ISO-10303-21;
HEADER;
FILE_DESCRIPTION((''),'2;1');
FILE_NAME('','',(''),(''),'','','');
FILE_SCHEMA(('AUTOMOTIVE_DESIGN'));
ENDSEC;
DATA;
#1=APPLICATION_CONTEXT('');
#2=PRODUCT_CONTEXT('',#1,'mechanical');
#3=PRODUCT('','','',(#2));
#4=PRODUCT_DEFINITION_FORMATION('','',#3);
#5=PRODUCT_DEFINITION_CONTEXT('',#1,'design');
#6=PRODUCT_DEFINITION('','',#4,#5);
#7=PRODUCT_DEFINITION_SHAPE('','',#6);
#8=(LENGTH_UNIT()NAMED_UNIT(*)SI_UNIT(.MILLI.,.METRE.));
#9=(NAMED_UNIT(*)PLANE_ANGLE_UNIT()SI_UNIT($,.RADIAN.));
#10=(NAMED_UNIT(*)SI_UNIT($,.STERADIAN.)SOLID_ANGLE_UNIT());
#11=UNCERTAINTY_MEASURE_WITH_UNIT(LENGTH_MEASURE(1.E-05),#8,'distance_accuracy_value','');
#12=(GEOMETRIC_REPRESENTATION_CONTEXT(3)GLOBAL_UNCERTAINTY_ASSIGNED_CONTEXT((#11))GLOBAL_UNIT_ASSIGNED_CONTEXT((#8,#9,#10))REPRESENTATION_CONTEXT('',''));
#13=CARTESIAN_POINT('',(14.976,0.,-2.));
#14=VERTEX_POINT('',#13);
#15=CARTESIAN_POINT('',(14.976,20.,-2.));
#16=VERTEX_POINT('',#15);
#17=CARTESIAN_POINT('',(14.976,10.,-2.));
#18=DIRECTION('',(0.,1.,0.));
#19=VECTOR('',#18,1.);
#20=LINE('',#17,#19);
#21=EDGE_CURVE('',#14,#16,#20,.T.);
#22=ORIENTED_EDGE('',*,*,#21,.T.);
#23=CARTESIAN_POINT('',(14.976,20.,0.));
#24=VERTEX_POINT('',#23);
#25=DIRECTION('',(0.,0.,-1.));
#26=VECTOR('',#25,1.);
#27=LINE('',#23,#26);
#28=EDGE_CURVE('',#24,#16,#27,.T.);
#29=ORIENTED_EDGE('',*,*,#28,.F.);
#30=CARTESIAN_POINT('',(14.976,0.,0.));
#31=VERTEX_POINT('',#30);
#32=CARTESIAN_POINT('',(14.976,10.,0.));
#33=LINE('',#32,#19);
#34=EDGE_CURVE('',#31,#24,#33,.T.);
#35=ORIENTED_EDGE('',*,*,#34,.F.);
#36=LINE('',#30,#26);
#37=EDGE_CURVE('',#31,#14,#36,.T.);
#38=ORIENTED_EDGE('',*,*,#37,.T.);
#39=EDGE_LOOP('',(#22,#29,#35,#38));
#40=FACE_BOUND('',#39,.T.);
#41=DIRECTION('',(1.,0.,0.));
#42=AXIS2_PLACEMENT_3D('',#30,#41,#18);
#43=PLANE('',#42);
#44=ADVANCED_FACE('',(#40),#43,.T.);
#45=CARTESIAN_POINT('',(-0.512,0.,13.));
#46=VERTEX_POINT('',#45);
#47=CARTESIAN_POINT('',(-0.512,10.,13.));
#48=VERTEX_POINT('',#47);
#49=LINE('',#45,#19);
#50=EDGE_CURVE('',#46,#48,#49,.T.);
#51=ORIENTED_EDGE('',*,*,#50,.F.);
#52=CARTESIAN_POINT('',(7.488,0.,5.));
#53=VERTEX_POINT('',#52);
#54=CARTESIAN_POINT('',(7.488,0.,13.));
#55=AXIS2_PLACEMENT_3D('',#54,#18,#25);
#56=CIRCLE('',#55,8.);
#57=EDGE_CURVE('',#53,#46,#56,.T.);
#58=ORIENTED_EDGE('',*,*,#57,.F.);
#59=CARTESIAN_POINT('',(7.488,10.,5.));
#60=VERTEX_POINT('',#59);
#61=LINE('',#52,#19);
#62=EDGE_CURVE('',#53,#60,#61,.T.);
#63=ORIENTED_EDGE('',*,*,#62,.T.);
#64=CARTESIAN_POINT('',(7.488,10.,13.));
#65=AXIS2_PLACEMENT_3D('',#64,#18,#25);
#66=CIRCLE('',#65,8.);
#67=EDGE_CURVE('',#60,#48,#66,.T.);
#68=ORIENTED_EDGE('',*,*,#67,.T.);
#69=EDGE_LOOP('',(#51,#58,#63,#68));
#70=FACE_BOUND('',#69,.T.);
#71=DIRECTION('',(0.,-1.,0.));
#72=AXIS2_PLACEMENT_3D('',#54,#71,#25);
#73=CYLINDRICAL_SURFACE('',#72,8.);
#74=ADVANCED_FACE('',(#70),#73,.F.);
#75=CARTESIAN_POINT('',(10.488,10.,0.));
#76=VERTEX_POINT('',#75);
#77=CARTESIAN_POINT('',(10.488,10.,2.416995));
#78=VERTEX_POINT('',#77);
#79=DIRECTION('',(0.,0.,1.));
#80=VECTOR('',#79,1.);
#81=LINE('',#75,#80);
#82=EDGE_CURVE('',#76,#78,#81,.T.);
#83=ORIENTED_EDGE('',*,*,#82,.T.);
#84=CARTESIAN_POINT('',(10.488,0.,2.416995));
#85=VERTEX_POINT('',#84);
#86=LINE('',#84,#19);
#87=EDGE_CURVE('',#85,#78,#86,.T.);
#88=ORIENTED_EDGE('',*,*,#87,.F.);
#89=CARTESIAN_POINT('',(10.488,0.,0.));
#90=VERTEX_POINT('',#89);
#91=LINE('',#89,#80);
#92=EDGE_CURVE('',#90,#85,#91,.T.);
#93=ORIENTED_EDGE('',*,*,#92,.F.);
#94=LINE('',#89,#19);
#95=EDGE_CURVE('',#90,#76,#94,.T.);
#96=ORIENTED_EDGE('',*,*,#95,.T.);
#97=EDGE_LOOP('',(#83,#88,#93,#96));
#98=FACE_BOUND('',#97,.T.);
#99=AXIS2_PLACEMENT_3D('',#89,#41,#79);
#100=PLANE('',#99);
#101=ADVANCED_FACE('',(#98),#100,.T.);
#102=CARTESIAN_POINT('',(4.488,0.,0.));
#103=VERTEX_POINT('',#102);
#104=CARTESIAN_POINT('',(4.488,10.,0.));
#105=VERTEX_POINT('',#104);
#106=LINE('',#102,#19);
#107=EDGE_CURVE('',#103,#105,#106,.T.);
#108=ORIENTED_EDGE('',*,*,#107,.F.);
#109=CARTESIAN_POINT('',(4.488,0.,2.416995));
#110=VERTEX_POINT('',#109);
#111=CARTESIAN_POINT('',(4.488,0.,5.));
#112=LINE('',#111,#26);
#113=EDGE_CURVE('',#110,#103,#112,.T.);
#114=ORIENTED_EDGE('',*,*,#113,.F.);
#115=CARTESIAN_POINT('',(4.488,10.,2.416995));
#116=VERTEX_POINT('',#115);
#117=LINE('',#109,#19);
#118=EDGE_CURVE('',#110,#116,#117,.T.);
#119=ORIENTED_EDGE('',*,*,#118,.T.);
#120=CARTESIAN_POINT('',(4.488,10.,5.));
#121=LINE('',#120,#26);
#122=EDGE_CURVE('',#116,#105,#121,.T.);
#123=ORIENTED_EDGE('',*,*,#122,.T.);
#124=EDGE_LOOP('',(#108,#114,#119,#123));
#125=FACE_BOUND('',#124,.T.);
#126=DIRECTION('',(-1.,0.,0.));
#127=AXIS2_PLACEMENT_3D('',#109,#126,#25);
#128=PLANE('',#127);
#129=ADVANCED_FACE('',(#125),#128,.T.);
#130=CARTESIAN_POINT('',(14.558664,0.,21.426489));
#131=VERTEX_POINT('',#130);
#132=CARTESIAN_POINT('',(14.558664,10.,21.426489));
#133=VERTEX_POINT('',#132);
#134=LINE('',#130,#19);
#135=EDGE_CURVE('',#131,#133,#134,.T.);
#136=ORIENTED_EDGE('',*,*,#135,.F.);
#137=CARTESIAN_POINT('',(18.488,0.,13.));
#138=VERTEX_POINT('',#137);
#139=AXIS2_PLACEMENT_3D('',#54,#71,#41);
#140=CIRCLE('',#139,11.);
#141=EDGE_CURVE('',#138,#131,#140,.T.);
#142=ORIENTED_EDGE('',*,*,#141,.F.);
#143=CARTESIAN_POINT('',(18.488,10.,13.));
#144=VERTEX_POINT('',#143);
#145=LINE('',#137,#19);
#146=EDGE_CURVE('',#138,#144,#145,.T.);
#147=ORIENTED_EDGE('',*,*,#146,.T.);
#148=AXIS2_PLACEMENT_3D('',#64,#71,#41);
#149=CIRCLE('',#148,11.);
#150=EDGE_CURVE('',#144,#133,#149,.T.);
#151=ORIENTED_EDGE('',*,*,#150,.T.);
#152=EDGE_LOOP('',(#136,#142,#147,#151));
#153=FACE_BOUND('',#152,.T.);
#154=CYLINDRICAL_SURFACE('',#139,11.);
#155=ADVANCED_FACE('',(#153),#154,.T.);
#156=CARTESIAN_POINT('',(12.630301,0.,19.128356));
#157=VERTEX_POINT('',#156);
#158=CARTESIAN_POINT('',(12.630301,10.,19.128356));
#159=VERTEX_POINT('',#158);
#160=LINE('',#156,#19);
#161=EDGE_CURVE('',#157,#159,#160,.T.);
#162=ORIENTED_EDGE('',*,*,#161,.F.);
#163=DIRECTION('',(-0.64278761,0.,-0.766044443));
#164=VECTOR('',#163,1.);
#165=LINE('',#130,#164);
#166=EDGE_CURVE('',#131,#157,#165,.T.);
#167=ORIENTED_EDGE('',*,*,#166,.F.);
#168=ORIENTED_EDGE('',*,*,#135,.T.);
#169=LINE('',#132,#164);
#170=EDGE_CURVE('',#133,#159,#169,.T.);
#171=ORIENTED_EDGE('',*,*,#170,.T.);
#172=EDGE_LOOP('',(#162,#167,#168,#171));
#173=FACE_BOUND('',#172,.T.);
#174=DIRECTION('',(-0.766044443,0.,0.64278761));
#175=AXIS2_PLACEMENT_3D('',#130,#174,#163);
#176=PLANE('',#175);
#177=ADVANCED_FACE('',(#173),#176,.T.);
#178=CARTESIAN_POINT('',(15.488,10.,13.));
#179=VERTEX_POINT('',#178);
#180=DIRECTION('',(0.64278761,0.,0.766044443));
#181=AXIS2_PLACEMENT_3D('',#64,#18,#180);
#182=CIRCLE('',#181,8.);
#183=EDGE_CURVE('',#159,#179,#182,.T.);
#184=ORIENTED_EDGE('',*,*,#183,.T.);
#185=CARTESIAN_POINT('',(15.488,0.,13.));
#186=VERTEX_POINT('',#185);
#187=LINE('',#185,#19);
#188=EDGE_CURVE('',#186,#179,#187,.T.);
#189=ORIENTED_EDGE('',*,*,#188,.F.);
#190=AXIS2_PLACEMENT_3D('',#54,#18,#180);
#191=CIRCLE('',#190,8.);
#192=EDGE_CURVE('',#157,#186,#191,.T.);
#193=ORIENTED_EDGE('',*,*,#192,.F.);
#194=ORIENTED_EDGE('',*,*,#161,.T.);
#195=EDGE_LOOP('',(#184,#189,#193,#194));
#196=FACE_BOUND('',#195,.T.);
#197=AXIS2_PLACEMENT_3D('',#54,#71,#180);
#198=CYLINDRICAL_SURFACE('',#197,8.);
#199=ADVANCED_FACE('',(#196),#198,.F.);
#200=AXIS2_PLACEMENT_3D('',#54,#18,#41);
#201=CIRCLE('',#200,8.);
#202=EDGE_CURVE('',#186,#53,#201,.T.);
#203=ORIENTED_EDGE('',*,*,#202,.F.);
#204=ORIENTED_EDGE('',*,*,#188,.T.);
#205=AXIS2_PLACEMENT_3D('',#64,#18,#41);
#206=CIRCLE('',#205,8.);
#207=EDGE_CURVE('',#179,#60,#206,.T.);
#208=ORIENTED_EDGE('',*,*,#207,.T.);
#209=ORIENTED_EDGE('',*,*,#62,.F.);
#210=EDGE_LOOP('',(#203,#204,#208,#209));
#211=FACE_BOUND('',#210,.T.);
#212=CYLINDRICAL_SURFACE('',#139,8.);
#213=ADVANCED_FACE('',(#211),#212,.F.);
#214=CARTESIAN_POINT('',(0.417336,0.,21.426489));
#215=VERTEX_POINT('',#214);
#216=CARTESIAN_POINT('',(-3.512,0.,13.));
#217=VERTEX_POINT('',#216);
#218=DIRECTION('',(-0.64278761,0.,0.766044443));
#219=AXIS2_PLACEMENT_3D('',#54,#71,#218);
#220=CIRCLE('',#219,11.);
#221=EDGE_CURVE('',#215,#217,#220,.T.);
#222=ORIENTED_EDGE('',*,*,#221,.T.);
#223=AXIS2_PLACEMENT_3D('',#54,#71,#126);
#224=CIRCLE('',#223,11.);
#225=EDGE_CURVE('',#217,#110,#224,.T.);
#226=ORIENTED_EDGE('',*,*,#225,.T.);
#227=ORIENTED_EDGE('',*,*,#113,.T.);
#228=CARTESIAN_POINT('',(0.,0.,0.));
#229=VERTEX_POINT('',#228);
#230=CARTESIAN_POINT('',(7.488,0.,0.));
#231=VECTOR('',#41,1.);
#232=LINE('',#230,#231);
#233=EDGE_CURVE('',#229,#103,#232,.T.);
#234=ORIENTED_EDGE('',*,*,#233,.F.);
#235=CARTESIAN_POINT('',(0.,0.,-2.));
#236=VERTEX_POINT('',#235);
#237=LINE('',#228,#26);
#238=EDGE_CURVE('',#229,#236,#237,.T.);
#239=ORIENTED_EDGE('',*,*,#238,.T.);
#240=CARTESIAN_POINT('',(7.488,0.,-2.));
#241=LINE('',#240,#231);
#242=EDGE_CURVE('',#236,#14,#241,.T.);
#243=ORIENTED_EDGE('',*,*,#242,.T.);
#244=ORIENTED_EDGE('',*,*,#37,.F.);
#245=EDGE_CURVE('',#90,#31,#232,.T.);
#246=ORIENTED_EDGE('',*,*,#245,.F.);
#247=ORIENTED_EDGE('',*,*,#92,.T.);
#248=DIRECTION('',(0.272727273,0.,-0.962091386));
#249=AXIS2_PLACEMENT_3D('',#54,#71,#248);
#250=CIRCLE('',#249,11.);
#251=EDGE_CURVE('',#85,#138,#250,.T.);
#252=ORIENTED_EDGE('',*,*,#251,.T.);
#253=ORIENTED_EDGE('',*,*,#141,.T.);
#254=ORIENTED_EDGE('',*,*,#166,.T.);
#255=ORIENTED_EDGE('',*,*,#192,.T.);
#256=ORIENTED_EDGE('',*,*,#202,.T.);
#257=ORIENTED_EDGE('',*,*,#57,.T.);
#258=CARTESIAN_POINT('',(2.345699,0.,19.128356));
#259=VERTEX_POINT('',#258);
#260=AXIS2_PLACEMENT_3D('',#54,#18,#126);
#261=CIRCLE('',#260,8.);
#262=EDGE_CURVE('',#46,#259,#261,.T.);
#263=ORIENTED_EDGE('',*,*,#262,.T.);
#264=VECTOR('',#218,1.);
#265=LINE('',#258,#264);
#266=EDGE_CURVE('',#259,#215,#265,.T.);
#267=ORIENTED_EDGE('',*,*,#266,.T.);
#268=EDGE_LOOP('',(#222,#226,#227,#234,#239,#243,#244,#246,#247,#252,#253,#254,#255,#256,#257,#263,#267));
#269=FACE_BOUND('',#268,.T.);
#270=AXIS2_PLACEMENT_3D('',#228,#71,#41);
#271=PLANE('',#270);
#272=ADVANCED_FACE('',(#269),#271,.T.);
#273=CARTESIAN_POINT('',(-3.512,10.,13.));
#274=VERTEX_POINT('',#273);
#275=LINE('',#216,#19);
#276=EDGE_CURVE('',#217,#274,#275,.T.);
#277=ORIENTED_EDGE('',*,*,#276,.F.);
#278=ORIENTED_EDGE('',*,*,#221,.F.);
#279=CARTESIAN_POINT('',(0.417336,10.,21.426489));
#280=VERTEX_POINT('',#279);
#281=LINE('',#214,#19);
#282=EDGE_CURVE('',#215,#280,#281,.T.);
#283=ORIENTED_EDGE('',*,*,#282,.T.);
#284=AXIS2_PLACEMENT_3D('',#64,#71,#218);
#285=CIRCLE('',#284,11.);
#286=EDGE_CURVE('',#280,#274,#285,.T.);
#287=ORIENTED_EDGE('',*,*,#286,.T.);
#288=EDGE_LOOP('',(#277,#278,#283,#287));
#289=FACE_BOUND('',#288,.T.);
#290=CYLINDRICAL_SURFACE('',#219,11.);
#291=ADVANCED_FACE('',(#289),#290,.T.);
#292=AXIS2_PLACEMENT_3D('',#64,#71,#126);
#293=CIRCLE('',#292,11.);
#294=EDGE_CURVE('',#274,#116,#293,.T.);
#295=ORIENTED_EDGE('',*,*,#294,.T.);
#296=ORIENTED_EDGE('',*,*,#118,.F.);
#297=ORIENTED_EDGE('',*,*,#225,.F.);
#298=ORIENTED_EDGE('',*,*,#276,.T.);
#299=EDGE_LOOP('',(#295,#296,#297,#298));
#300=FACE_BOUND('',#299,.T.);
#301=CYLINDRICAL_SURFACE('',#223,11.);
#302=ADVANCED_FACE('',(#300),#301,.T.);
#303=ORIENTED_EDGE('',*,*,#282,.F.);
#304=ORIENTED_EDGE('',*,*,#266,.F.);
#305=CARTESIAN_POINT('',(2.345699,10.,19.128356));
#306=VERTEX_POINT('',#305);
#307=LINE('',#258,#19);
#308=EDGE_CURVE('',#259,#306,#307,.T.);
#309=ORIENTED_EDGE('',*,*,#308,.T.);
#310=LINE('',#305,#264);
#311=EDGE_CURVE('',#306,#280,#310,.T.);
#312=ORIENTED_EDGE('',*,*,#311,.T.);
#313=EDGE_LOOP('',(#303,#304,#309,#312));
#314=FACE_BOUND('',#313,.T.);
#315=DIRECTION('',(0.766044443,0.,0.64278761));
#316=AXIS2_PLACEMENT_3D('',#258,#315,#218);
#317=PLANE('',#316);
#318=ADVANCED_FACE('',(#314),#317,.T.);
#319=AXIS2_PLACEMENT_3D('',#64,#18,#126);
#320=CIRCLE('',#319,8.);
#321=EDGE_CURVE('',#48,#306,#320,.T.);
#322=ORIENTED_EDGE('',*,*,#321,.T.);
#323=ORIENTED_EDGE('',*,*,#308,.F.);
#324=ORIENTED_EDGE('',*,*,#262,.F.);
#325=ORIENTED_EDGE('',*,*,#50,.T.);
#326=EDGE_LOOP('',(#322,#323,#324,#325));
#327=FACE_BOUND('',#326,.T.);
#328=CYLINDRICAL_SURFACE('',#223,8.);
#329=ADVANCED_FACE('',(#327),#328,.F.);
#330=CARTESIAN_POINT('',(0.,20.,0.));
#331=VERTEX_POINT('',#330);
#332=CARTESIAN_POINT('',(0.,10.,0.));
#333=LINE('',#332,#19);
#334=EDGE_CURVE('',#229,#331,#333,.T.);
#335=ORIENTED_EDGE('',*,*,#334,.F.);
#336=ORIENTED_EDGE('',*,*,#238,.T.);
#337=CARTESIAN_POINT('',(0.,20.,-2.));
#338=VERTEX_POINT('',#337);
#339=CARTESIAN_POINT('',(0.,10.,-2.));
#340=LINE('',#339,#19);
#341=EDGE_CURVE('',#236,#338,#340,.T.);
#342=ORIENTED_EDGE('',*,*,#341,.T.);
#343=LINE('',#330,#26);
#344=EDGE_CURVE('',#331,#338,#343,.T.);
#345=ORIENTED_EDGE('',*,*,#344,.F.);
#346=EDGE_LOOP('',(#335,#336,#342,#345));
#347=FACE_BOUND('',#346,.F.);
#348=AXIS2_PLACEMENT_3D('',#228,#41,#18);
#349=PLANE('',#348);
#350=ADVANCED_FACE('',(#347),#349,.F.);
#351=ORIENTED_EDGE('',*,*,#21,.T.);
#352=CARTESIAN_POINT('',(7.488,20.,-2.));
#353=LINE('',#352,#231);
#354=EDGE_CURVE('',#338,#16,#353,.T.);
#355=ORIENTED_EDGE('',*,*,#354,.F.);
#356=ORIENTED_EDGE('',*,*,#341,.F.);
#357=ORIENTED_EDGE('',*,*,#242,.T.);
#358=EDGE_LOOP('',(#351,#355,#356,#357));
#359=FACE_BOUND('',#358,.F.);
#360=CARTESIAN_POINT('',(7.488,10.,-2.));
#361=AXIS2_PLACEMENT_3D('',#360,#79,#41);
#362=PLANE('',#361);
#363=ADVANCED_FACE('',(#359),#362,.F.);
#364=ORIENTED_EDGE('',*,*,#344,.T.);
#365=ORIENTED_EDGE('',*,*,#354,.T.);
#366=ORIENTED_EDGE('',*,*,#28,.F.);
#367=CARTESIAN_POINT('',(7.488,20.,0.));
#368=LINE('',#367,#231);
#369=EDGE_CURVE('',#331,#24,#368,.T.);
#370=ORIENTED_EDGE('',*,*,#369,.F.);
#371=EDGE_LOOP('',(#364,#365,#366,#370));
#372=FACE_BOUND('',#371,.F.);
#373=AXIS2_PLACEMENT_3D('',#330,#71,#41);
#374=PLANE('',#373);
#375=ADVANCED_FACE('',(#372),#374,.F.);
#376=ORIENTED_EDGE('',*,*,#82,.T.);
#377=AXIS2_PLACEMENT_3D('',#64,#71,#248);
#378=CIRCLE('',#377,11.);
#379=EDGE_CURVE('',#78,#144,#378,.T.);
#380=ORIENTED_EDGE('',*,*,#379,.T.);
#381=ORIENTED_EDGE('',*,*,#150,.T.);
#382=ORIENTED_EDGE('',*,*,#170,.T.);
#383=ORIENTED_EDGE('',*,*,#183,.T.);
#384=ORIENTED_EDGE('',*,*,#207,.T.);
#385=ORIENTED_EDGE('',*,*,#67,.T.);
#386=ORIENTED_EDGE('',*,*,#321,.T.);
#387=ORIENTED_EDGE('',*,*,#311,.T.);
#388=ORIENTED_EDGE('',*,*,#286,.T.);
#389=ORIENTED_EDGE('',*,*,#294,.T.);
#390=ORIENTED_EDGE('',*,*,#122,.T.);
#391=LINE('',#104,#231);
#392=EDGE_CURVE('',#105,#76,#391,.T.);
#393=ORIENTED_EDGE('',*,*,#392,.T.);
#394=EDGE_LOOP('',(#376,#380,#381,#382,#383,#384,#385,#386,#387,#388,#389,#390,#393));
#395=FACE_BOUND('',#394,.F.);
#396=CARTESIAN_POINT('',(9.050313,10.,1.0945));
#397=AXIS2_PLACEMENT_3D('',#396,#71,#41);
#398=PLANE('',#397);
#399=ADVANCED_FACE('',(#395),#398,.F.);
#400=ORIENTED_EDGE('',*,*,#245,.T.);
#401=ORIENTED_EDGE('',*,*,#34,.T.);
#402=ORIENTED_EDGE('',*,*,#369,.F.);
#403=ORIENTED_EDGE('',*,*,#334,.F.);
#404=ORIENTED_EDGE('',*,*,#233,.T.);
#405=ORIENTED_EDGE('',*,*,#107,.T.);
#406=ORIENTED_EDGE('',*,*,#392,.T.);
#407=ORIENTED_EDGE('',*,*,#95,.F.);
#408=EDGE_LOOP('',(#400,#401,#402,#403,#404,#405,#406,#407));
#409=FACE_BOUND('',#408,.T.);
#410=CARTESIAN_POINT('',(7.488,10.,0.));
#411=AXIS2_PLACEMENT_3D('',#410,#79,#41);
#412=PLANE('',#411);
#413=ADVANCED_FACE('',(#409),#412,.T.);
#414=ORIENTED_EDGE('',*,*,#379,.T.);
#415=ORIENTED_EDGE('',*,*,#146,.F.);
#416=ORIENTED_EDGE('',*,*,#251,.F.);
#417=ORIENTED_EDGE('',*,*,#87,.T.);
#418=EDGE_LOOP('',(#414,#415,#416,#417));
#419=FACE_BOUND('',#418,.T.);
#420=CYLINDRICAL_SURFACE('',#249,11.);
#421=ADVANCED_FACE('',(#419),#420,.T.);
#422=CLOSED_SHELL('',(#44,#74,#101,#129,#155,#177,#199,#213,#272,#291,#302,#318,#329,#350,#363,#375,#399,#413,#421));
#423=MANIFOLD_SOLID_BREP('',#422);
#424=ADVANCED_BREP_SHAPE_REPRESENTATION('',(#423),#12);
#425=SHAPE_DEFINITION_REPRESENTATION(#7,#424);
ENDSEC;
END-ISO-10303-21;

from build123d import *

# Parameters (mm, degrees)
F0_W     = 14.976
F0_H     = 20
F1_DEPTH = 2
F3_DEPTH = 10


with BuildPart() as f1:
    # F0 (on Top) → F1 (new body)
    with BuildSketch(Plane.XY):
        with Locations((7.488, 10)):
            Rectangle(F0_W, F0_H)
    extrude(amount=-F1_DEPTH)

    # F2 (on face) → F3 (join)
    with BuildSketch(Plane.XZ):
        with BuildLine():
            Line((7.488, 2), (7.488, 0))
            Line((7.488, 0), (10.488, 0))
            Line((10.488, 0), (10.488, 2.4169947557))
            ThreePointArc((10.488, 2.4169947557), (9.0024210632, 2.1047474172), (7.488, 2))
        make_face()
        with BuildLine():
            Line((4.488, 2.4169947557), (4.488, 0))
            Line((4.488, 0), (7.488, 0))
            Line((7.488, 0), (7.488, 2))
            ThreePointArc((7.488, 2), (5.9735789368, 2.1047474172), (4.488, 2.4169947557))
        make_face()
        with BuildLine():
            Line((4.488, 5), (4.488, 2.4169947557))
            ThreePointArc((4.488, 2.4169947557), (5.9735789368, 2.1047474172), (7.488, 2))
            Line((7.488, 2), (7.488, 5))
            Line((7.488, 5), (4.488, 5))
        make_face()
        with BuildLine():
            Line((7.488, 5), (7.488, 2))
            ThreePointArc((7.488, 2), (9.0024210632, 2.1047474172), (10.488, 2.4169947557))
            Line((10.488, 2.4169947557), (10.488, 5))
            Line((10.488, 5), (7.488, 5))
        make_face()
        with BuildLine():
            ThreePointArc((15.488, 13), (13.1448542495, 7.3431457505), (7.488, 5))
            Line((7.488, 5), (10.488, 5))
            Line((10.488, 5), (10.488, 2.4169947557))
            ThreePointArc((10.488, 2.4169947557), (16.2629643874, 6.3667504193), (18.488, 13))
            ThreePointArc((18.488, 13), (17.4573856574, 17.6488008791), (14.5586637066, 21.4264888743))
            Line((14.5586637066, 21.4264888743), (12.6303008775, 19.128355545))
            ThreePointArc((12.6303008775, 19.128355545), (14.7384622963, 16.3809460939), (15.488, 13))
        make_face()
        with BuildLine():
            ThreePointArc((-3.512, 13), (-1.2869643874, 6.3667504193), (4.488, 2.4169947557))
            Line((4.488, 2.4169947557), (4.488, 5))
            Line((4.488, 5), (7.488, 5))
            ThreePointArc((7.488, 5), (1.8311457505, 7.3431457505), (-0.512, 13))
            Line((-0.512, 13), (-3.512, 13))
        make_face()
        with BuildLine():
            ThreePointArc((0.4173362934, 21.4264888743), (-2.4813856574, 17.6488008791), (-3.512, 13))
            Line((-3.512, 13), (-0.512, 13))
            ThreePointArc((-0.512, 13), (0.2375377037, 16.3809460939), (2.3456991225, 19.128355545))
            Line((2.3456991225, 19.128355545), (0.4173362934, 21.4264888743))
        make_face()
    extrude(amount=-F3_DEPTH)


solid = f1.part
